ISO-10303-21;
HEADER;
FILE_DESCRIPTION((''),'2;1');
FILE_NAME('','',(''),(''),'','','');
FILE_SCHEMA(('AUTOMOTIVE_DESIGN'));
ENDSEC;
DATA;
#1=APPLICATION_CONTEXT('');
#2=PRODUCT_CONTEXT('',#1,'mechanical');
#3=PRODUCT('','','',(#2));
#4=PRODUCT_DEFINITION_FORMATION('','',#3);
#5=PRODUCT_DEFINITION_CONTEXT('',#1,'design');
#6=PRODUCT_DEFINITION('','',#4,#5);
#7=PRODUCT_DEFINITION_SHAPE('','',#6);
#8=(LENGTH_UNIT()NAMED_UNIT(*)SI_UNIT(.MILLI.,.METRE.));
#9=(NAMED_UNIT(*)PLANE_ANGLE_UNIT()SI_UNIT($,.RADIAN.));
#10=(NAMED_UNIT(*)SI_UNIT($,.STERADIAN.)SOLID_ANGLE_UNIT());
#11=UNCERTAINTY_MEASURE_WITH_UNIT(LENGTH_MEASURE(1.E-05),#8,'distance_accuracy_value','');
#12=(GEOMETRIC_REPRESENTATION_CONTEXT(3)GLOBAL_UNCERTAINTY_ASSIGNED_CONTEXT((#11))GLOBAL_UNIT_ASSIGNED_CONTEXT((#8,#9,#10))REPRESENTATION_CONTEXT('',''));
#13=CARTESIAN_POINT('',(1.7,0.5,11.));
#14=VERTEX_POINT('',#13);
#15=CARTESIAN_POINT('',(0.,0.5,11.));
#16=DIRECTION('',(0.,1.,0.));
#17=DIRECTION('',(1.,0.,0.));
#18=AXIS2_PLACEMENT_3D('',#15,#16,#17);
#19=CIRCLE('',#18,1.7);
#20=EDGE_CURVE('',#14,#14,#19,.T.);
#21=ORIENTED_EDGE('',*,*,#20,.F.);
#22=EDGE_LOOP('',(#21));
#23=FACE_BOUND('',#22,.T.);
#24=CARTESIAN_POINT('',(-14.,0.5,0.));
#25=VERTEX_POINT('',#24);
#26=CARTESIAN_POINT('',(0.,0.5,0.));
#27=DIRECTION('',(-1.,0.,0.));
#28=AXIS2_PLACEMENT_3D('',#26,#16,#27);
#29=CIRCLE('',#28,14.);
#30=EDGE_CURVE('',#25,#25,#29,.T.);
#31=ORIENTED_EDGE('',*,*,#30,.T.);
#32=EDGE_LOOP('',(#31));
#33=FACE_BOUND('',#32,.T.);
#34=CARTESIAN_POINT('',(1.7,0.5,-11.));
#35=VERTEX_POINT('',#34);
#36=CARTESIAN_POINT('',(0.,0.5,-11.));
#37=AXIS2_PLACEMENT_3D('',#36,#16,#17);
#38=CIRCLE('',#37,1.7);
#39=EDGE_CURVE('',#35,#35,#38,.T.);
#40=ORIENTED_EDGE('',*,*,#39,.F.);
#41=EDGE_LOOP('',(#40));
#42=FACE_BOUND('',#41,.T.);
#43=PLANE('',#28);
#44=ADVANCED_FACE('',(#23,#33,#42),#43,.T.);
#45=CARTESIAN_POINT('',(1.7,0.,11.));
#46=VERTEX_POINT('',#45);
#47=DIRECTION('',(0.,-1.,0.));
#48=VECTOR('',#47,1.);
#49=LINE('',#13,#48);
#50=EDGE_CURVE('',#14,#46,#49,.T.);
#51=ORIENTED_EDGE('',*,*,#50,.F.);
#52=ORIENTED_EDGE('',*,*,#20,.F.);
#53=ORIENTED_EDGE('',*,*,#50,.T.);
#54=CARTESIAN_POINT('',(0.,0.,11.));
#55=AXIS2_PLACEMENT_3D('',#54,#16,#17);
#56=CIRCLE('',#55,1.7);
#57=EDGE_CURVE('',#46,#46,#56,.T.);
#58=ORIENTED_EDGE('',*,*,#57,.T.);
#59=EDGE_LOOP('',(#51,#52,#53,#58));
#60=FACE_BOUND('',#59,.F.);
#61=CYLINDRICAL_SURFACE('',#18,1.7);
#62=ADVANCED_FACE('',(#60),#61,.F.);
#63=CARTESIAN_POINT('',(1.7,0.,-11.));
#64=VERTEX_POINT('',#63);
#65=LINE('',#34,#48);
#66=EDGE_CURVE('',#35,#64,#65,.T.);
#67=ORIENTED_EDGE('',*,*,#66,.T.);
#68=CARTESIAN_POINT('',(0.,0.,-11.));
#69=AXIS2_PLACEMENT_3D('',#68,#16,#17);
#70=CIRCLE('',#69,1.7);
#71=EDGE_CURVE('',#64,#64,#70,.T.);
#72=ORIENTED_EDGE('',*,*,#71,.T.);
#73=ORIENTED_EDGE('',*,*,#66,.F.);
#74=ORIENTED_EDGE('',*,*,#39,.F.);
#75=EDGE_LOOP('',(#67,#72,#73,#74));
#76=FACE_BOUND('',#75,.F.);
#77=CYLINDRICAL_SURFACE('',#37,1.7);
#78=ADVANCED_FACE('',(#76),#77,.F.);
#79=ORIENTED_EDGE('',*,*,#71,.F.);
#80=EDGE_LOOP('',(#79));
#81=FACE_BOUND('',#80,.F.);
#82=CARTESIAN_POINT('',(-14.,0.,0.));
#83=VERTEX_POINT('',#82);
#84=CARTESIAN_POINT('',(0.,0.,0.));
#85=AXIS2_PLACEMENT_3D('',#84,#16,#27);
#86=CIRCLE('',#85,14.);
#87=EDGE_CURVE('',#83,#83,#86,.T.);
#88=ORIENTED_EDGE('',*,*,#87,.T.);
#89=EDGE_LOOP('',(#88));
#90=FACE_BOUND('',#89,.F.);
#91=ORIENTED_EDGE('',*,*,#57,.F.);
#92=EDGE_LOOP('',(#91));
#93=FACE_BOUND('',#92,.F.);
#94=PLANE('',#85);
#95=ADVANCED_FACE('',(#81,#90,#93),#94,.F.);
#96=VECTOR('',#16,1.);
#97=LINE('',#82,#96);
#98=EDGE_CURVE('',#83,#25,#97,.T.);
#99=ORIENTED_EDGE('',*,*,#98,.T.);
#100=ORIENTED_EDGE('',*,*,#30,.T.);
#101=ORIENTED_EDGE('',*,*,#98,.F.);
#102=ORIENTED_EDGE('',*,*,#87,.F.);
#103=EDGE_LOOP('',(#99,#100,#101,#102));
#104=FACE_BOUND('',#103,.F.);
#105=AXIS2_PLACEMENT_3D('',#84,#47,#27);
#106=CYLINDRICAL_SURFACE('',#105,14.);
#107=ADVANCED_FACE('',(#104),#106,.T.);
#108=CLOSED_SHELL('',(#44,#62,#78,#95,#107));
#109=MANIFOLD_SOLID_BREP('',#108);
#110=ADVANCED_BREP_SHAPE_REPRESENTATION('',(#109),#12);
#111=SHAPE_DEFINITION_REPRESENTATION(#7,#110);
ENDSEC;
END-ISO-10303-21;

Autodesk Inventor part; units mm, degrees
ref_plane "YZ Plane" through (0, 0, 0) normal (1, 0, 0) x (0, 1, 0)
ref_plane "XZ Plane" through (0, 0, 0) normal (0, 1, 0) x (-1, 0, 0)
ref_plane "XY Plane" through (0, 0, 0) normal (0, 0, 1) x (1, 0, 0)
sketch "スケッチ1" plane through (0, 0, 0) normal (0, 1, 0) x (-1, 0, 0)
  circle A0 centre (0, 0) radius 14
  dimension "d0" = 28
extrude "押し出し1" add sketch "スケッチ1" along normal blind 0.5
sketch "スケッチ2" plane through (0, 0.5, 0) normal (0, 1, 0) x (1, 0, 0)
  line L0 (0, 0) -> (21.2173, 0) construction
  circle A0 centre (0, 11) radius 1.7
  circle A1 centre (0, -11) radius 1.7
  dimension "d3" = 3.4
  dimension "d4" = 3.4
  dimension "d5" = 22
extrude "押し出し2" cut sketch "スケッチ2" against normal through all
properties part number "B_holder_mesh_5" material "ステンレス鋼 440C"
